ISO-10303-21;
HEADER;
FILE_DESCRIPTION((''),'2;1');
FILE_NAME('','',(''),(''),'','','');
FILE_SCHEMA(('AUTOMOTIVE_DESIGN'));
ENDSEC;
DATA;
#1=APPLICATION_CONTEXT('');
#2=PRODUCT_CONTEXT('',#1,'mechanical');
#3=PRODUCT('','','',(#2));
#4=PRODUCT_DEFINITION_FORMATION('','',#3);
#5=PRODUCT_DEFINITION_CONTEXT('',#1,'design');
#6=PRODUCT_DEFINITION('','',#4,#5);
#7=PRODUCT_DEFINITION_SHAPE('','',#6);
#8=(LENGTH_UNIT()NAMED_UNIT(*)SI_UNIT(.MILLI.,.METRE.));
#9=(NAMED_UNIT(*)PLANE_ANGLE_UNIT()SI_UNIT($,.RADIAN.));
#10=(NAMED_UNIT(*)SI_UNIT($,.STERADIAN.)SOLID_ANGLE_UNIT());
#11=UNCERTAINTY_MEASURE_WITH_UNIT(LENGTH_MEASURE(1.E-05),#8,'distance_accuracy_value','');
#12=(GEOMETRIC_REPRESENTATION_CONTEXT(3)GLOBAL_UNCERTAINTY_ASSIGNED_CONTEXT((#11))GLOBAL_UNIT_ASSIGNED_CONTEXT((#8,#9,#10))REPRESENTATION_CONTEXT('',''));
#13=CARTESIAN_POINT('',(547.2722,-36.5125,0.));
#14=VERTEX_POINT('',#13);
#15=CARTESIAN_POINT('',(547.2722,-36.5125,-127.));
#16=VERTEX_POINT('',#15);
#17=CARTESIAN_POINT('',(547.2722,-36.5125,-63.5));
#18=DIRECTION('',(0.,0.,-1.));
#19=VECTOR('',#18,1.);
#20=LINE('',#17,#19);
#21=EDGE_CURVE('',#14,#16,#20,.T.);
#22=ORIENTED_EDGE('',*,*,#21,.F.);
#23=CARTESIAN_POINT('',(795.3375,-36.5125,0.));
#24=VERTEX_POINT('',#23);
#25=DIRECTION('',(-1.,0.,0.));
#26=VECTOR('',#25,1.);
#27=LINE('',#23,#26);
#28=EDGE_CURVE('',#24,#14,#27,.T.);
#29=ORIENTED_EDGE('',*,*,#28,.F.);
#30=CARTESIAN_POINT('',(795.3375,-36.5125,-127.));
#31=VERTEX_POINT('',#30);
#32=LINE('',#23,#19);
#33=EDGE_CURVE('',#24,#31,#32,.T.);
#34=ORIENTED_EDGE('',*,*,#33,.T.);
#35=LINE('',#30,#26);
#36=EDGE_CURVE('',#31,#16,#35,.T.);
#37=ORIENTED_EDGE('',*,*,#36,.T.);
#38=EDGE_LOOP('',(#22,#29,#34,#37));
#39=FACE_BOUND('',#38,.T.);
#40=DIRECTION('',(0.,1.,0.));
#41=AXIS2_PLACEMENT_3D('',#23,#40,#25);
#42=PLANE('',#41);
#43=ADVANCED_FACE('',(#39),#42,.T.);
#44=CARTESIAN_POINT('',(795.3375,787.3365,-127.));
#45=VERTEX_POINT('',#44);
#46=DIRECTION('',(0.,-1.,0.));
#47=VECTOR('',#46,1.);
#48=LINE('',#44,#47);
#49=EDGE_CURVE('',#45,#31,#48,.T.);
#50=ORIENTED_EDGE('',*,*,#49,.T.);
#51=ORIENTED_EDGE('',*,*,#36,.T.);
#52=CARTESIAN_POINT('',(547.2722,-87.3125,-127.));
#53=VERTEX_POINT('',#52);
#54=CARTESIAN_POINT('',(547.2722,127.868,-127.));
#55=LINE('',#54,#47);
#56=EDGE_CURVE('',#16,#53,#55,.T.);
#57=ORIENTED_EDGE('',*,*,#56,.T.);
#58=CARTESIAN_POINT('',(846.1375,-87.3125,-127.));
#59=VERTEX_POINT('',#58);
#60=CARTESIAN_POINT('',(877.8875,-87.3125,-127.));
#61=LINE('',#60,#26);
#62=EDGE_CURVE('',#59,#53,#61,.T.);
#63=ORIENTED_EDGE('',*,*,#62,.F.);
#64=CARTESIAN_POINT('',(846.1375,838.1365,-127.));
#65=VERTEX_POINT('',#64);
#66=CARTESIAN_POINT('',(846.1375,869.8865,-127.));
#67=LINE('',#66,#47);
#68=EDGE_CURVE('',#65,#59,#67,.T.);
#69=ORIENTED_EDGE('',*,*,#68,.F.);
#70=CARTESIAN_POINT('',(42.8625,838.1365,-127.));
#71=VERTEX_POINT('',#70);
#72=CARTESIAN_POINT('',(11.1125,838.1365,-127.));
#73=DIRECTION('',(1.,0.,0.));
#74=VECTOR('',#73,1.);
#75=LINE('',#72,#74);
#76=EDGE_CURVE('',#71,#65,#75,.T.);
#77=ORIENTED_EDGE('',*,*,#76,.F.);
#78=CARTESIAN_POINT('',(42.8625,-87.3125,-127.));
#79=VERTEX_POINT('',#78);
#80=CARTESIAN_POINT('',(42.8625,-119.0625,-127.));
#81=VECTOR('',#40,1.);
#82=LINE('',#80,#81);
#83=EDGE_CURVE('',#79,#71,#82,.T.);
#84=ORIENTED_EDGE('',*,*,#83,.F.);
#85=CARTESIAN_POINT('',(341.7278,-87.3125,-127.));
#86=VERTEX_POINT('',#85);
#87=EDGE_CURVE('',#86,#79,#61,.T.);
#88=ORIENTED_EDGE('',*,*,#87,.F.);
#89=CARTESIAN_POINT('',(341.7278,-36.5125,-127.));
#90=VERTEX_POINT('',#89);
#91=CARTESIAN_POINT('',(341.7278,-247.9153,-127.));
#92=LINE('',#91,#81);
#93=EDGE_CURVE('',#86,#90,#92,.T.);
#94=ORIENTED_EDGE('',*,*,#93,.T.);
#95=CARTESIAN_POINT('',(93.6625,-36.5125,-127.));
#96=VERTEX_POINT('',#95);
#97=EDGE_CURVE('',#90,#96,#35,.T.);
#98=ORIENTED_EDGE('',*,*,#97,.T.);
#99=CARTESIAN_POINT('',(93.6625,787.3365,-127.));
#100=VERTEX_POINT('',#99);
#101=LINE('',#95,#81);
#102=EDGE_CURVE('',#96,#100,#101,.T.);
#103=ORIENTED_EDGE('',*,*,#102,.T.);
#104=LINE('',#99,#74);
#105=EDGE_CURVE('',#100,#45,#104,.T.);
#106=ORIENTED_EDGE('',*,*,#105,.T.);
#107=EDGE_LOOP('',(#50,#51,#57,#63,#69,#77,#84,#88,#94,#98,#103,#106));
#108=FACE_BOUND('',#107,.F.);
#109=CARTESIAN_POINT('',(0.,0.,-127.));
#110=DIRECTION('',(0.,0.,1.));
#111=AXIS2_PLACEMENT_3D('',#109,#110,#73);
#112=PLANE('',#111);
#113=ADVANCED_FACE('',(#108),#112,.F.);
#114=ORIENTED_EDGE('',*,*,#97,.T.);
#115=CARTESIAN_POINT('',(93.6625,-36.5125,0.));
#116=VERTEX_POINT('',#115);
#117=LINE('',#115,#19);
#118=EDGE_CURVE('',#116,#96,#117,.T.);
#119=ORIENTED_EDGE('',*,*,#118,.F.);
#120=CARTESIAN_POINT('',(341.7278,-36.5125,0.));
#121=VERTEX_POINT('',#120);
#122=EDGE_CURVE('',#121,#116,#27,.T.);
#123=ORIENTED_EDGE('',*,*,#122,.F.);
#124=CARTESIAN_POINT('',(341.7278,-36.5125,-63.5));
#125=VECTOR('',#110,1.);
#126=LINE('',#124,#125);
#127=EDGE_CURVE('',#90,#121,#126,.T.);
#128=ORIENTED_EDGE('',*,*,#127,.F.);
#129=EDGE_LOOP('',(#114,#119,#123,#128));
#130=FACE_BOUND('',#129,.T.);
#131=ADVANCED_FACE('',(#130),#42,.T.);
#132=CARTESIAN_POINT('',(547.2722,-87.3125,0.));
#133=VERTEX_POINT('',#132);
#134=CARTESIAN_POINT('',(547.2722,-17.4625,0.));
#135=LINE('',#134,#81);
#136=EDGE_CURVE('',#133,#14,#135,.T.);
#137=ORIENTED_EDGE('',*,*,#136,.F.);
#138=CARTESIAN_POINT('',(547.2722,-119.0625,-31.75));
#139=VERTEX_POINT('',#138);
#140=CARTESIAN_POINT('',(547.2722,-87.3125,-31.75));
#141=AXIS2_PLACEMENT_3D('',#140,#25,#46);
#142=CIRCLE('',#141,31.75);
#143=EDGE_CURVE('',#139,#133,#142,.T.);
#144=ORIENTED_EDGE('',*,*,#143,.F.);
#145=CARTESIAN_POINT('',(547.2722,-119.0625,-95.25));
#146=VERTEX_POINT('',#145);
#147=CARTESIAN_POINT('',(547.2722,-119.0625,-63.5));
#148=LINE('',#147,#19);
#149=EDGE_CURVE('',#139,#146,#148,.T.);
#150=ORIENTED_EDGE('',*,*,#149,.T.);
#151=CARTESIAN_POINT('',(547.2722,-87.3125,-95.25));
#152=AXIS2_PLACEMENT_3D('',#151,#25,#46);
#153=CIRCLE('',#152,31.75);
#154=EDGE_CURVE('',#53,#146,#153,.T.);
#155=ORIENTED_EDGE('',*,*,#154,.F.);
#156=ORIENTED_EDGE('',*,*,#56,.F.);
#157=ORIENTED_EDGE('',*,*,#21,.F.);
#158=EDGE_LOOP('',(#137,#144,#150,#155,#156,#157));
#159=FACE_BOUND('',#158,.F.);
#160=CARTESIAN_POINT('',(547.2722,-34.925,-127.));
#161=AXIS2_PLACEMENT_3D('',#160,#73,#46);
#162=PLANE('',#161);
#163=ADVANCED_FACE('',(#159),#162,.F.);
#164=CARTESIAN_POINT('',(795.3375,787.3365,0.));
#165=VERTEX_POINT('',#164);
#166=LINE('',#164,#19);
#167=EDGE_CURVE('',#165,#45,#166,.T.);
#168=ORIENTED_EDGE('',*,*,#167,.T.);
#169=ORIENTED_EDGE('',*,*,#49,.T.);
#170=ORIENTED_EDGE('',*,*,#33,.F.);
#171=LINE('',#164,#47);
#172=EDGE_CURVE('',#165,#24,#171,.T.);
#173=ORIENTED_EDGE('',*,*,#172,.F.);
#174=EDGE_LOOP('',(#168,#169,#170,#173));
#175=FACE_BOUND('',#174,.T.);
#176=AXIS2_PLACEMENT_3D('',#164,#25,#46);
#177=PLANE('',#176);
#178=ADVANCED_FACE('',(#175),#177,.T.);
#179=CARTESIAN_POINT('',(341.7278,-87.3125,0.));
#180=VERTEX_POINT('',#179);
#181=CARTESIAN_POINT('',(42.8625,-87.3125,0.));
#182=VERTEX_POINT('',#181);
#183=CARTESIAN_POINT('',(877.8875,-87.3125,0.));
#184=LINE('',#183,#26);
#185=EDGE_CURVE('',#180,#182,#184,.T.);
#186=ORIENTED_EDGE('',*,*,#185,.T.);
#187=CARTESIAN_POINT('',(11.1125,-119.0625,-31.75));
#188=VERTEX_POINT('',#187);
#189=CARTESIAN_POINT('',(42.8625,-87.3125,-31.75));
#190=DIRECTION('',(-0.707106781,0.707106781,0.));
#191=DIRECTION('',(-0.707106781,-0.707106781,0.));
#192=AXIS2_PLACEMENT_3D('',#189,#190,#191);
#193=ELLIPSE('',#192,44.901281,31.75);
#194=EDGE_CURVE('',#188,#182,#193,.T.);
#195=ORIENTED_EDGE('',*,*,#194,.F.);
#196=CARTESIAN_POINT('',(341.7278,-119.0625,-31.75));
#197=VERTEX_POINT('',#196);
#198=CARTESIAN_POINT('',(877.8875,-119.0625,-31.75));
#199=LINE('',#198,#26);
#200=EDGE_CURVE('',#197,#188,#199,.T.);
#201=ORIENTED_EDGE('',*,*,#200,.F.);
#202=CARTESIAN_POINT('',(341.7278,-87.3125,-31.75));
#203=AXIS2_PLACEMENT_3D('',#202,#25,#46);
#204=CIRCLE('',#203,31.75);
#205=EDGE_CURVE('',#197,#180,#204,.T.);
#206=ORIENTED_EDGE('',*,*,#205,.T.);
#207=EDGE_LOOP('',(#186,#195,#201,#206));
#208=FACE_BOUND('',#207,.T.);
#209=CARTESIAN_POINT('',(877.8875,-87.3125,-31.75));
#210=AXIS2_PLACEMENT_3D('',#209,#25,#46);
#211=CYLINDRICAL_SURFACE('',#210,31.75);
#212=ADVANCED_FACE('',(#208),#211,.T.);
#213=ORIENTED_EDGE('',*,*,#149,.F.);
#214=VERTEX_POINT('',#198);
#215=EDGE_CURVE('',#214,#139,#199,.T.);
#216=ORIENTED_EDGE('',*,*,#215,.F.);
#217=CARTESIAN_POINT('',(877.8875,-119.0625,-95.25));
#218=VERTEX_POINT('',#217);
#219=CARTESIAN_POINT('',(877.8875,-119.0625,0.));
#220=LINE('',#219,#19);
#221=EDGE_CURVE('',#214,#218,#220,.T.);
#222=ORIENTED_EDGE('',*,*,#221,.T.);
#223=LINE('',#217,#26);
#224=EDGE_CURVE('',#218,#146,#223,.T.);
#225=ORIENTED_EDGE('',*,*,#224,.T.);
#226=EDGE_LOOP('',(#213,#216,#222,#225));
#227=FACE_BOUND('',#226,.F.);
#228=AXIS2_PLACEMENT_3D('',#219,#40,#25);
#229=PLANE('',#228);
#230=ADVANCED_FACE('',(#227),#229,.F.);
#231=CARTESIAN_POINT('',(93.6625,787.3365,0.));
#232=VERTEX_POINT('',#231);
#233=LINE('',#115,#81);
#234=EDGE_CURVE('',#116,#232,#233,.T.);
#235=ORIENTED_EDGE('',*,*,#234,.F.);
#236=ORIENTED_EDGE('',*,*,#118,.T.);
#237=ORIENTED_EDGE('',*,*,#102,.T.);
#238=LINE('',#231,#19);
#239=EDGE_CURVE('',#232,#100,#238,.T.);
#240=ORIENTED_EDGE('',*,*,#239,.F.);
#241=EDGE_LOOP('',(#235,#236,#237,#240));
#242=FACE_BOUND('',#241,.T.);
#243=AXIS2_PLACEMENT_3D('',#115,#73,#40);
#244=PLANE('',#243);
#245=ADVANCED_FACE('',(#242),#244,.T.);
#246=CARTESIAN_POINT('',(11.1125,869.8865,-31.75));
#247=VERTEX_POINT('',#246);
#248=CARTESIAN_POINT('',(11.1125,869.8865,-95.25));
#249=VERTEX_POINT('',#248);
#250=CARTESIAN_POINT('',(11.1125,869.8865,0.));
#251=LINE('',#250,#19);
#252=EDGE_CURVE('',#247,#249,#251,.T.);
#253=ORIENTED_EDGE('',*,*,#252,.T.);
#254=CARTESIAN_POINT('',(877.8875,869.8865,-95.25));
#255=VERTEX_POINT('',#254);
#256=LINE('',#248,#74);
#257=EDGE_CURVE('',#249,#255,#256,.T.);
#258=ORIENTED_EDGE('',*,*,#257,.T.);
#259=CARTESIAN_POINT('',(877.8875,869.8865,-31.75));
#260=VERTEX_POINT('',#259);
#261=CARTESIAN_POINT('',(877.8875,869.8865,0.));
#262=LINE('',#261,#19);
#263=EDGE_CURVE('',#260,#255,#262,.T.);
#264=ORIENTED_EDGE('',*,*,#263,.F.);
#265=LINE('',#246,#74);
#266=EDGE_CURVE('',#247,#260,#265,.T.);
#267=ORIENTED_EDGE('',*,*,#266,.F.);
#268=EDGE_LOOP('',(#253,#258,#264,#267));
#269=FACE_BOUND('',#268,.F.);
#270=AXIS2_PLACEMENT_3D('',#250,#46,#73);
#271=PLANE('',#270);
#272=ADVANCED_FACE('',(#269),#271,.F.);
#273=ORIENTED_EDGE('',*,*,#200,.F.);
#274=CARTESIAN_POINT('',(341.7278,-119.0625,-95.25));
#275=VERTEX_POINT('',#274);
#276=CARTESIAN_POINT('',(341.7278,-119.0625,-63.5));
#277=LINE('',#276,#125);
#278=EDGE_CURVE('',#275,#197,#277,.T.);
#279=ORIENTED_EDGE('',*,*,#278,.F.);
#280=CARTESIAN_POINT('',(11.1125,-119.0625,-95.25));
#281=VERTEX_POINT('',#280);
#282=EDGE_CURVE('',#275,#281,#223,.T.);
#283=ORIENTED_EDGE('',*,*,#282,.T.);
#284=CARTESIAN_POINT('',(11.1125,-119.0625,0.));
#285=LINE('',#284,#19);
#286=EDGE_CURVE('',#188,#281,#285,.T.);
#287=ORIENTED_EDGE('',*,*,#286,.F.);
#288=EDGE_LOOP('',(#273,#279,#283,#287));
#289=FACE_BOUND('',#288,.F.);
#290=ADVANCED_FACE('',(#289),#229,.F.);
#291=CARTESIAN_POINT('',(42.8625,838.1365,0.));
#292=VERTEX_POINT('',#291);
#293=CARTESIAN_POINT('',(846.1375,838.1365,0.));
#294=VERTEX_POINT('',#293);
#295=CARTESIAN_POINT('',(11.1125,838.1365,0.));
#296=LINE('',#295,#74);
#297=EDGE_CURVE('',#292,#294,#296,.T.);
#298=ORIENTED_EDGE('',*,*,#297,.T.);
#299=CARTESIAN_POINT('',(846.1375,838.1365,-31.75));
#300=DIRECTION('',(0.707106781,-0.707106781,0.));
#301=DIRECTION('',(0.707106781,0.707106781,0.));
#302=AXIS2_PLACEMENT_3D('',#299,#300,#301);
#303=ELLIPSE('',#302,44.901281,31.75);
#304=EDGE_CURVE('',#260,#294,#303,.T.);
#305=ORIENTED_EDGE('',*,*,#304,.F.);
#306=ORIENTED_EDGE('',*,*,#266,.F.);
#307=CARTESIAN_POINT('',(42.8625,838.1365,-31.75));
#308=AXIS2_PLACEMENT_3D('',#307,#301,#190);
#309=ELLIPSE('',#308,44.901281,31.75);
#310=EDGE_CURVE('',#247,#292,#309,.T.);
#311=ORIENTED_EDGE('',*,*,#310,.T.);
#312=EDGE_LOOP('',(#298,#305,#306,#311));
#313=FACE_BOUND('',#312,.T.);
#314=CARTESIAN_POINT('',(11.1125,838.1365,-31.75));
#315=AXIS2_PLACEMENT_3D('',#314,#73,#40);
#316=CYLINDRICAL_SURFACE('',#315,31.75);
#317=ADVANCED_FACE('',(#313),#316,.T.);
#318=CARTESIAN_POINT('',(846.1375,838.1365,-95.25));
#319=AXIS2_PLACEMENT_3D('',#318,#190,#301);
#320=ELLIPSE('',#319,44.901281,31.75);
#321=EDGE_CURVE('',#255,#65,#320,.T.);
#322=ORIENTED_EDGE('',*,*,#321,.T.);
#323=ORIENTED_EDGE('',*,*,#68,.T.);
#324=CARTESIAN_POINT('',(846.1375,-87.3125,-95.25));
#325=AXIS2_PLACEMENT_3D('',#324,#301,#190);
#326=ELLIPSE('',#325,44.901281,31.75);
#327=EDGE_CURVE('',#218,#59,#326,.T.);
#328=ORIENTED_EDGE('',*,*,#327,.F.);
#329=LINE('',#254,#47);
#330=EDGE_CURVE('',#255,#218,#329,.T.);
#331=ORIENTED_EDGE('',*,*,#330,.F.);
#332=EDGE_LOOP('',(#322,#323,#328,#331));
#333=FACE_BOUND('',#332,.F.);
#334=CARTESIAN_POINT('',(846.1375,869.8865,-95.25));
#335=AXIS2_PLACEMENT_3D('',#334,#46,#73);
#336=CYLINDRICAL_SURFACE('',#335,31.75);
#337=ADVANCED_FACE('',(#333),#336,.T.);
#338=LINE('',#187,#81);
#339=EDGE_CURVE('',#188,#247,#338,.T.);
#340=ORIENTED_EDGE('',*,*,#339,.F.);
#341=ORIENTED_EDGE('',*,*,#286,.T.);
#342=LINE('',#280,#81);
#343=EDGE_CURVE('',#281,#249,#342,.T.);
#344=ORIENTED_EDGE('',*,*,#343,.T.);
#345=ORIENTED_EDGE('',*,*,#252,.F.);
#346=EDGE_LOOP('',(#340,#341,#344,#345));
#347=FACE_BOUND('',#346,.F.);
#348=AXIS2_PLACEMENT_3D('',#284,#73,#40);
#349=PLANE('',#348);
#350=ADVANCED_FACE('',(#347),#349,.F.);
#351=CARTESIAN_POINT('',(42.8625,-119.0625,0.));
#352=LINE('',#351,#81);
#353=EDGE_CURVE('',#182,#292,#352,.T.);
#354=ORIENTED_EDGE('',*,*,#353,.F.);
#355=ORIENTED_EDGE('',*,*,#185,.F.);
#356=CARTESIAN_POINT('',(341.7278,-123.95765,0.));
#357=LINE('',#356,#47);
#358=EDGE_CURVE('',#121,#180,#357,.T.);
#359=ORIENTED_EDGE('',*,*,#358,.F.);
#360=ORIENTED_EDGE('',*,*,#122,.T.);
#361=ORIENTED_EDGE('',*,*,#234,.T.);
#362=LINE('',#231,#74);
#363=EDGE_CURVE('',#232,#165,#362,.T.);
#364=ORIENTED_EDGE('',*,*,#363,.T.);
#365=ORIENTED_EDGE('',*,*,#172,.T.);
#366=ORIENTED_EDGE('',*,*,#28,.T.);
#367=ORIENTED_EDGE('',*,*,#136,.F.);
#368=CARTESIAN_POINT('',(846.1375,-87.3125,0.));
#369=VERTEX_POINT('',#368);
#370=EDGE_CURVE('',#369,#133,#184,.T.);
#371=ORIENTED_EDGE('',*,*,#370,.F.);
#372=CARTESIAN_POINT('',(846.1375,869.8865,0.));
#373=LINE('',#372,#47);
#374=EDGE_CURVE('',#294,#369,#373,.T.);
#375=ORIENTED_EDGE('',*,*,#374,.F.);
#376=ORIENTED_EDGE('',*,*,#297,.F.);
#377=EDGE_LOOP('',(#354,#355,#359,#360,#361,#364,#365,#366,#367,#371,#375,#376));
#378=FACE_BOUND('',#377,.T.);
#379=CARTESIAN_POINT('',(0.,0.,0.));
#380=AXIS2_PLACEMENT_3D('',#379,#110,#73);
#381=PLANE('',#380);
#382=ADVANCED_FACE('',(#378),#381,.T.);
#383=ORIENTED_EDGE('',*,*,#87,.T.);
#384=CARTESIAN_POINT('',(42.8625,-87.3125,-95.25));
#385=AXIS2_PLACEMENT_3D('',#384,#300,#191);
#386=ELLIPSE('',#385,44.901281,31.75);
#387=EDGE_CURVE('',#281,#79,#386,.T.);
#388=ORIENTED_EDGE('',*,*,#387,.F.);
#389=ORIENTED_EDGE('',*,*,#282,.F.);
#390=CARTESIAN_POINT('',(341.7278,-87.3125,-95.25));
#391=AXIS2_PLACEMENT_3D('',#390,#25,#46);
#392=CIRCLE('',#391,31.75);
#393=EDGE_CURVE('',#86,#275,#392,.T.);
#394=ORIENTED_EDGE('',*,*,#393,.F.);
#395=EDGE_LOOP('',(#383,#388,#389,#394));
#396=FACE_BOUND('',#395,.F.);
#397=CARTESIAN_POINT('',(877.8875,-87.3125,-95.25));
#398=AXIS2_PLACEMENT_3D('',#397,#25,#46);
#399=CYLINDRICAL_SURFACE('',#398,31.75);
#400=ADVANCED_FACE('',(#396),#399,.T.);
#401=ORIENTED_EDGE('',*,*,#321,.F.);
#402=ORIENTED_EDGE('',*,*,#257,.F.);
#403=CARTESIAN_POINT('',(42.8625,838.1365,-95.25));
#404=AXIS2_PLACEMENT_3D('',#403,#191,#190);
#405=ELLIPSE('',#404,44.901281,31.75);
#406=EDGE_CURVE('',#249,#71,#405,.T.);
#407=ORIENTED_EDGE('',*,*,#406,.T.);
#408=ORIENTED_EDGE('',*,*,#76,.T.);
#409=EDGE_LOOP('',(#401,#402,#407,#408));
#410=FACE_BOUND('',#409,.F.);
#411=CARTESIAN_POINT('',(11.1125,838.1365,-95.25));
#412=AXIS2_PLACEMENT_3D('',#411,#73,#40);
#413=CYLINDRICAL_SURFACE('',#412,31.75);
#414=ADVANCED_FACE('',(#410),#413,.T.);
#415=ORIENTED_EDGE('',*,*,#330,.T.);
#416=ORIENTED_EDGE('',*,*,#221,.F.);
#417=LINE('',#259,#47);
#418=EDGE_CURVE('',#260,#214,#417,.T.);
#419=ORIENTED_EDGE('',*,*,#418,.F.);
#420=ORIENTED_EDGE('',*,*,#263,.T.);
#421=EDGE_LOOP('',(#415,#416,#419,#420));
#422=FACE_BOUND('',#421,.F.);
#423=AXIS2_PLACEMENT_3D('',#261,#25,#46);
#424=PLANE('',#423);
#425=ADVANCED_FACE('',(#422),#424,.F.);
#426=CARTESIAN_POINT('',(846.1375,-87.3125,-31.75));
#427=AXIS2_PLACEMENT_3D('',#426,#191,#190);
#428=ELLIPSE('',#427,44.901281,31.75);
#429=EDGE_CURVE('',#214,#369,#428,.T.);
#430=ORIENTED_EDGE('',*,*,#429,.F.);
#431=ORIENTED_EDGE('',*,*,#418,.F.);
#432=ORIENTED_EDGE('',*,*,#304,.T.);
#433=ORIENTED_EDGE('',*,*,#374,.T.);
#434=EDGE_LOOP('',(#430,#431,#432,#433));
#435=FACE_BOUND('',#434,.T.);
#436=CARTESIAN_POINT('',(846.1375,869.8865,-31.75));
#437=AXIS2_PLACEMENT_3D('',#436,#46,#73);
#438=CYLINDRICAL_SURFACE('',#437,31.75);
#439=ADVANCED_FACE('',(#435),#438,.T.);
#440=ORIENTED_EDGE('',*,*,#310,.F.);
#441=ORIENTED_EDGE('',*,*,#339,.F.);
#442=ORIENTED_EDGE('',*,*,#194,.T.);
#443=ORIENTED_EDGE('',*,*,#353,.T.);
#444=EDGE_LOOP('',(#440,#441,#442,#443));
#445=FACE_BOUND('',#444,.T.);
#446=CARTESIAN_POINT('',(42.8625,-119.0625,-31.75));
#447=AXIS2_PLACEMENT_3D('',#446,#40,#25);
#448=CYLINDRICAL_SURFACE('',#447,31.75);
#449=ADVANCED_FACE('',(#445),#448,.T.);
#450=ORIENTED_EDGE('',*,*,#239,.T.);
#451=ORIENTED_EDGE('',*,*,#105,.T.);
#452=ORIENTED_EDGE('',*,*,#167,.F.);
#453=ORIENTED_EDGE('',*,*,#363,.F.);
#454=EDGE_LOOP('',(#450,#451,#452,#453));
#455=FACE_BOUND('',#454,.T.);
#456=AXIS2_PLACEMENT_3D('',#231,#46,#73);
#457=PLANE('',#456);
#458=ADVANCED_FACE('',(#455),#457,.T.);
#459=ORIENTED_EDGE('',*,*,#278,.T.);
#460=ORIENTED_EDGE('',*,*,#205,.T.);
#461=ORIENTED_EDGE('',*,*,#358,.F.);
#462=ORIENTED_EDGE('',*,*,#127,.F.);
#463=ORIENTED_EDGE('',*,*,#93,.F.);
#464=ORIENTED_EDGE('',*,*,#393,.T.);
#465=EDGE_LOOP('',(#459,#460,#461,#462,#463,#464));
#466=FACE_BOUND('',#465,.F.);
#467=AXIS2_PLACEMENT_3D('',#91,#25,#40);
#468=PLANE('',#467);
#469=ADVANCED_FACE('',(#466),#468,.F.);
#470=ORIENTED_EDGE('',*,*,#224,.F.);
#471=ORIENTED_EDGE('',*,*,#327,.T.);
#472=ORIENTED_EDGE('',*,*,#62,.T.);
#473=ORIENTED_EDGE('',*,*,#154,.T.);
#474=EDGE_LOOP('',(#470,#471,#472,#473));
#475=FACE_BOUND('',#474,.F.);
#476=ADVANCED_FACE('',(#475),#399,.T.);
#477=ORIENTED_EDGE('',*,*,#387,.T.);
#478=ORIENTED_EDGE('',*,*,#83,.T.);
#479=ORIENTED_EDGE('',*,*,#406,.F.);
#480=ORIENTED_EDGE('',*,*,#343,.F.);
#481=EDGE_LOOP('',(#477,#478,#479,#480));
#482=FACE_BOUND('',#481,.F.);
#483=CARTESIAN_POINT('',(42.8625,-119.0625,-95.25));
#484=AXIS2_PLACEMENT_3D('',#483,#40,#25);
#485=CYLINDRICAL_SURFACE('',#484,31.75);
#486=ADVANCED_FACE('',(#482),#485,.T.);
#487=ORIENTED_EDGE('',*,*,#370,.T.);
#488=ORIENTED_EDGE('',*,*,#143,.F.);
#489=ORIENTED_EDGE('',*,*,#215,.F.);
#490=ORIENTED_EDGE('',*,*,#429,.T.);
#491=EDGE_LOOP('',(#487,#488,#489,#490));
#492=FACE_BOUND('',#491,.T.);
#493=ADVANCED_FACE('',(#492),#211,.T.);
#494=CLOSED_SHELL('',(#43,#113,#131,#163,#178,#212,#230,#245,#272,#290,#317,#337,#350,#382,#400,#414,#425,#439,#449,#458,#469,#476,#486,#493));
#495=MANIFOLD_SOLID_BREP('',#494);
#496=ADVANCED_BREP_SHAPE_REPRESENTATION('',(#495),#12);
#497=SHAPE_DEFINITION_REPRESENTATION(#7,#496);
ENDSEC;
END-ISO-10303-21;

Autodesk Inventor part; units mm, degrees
ref_plane "YZ Plane" through (0, 0, 0) normal (1, 0, 0) x (0, 1, 0)
ref_plane "XZ Plane" through (0, 0, 0) normal (0, 1, 0) x (-1, 0, 0)
ref_plane "XY Plane" through (0, 0, 0) normal (0, 0, 1) x (1, 0, 0)
sketch "Sketch1" plane through (0, 0, 0) normal (0, 0, 1) x (1, 0, 0)
  line L0 (787.4, -34.925) -> (547.2722, -34.925) construction
  line L1 (793.75, -30.988) -> (793.75, 781.812) construction
  line L2 (787.4, 785.749) -> (101.6, 785.749) construction
  line L3 (95.25, 781.812) -> (95.25, -30.988) construction
  line L4 (795.3375, -36.5125) -> (93.6625, -36.5125)
  line L5 (93.6625, -36.5125) -> (93.6625, 787.3365)
  line L6 (93.6625, 787.3365) -> (795.3375, 787.3365)
  line L7 (795.3375, 787.3365) -> (795.3375, -36.5125)
  line L8 (877.8875, -119.0625) -> (11.1125, -119.0625)
  line L9 (11.1125, -119.0625) -> (11.1125, 869.8865)
  line L10 (11.1125, 869.8865) -> (877.8875, 869.8865)
  line L11 (877.8875, 869.8865) -> (877.8875, -119.0625)
  point P0 (0, 0)
  dimension "d0" = 1.5875
  dimension "d1" = 1.5875
  dimension "d2" = 1.5875
  dimension "d3" = 1.5875
  dimension "d4" = 82.55
extrude "Extrusion1" add sketch "Sketch1" against normal blind 127
fillet "Fillet1" radius 31.75 8 edges at (444.5, -119.0625, -127) (444.5, -119.0625, 0) (11.1125, 375.412, 0) (11.1125, 375.412, -127) (444.5, 869.8865, -127) (444.5, 869.8865, 0) (877.8875, 375.412, -127) (877.8875, 375.412, 0)
sketch "Sketch2" plane through (0, 0, -127) normal (0, 0, -1) x (-1, 0, 0)
  line L0 (-547.2722, -247.9153) -> (-341.7278, -247.9153)
  line L1 (-341.7278, -247.9153) -> (-341.7278, 127.868)
  line L2 (-341.7278, 127.868) -> (-547.2722, 127.868)
  line L3 (-547.2722, 127.868) -> (-547.2722, -247.9153)
  line L4 (-547.2722, -34.925) -> (-548.4674, -30.988) projected
  line L5 (-341.7278, -34.925) -> (-340.5326, -30.988) projected
  point P0 (0, 0)
extrude "Extrusion2" cut sketch "Sketch2" against normal through all
equation "\"d1\" = d0"
equation "\"d2\" = d0"
equation "\"d3\" = d0"
properties part number "BumperSub"
